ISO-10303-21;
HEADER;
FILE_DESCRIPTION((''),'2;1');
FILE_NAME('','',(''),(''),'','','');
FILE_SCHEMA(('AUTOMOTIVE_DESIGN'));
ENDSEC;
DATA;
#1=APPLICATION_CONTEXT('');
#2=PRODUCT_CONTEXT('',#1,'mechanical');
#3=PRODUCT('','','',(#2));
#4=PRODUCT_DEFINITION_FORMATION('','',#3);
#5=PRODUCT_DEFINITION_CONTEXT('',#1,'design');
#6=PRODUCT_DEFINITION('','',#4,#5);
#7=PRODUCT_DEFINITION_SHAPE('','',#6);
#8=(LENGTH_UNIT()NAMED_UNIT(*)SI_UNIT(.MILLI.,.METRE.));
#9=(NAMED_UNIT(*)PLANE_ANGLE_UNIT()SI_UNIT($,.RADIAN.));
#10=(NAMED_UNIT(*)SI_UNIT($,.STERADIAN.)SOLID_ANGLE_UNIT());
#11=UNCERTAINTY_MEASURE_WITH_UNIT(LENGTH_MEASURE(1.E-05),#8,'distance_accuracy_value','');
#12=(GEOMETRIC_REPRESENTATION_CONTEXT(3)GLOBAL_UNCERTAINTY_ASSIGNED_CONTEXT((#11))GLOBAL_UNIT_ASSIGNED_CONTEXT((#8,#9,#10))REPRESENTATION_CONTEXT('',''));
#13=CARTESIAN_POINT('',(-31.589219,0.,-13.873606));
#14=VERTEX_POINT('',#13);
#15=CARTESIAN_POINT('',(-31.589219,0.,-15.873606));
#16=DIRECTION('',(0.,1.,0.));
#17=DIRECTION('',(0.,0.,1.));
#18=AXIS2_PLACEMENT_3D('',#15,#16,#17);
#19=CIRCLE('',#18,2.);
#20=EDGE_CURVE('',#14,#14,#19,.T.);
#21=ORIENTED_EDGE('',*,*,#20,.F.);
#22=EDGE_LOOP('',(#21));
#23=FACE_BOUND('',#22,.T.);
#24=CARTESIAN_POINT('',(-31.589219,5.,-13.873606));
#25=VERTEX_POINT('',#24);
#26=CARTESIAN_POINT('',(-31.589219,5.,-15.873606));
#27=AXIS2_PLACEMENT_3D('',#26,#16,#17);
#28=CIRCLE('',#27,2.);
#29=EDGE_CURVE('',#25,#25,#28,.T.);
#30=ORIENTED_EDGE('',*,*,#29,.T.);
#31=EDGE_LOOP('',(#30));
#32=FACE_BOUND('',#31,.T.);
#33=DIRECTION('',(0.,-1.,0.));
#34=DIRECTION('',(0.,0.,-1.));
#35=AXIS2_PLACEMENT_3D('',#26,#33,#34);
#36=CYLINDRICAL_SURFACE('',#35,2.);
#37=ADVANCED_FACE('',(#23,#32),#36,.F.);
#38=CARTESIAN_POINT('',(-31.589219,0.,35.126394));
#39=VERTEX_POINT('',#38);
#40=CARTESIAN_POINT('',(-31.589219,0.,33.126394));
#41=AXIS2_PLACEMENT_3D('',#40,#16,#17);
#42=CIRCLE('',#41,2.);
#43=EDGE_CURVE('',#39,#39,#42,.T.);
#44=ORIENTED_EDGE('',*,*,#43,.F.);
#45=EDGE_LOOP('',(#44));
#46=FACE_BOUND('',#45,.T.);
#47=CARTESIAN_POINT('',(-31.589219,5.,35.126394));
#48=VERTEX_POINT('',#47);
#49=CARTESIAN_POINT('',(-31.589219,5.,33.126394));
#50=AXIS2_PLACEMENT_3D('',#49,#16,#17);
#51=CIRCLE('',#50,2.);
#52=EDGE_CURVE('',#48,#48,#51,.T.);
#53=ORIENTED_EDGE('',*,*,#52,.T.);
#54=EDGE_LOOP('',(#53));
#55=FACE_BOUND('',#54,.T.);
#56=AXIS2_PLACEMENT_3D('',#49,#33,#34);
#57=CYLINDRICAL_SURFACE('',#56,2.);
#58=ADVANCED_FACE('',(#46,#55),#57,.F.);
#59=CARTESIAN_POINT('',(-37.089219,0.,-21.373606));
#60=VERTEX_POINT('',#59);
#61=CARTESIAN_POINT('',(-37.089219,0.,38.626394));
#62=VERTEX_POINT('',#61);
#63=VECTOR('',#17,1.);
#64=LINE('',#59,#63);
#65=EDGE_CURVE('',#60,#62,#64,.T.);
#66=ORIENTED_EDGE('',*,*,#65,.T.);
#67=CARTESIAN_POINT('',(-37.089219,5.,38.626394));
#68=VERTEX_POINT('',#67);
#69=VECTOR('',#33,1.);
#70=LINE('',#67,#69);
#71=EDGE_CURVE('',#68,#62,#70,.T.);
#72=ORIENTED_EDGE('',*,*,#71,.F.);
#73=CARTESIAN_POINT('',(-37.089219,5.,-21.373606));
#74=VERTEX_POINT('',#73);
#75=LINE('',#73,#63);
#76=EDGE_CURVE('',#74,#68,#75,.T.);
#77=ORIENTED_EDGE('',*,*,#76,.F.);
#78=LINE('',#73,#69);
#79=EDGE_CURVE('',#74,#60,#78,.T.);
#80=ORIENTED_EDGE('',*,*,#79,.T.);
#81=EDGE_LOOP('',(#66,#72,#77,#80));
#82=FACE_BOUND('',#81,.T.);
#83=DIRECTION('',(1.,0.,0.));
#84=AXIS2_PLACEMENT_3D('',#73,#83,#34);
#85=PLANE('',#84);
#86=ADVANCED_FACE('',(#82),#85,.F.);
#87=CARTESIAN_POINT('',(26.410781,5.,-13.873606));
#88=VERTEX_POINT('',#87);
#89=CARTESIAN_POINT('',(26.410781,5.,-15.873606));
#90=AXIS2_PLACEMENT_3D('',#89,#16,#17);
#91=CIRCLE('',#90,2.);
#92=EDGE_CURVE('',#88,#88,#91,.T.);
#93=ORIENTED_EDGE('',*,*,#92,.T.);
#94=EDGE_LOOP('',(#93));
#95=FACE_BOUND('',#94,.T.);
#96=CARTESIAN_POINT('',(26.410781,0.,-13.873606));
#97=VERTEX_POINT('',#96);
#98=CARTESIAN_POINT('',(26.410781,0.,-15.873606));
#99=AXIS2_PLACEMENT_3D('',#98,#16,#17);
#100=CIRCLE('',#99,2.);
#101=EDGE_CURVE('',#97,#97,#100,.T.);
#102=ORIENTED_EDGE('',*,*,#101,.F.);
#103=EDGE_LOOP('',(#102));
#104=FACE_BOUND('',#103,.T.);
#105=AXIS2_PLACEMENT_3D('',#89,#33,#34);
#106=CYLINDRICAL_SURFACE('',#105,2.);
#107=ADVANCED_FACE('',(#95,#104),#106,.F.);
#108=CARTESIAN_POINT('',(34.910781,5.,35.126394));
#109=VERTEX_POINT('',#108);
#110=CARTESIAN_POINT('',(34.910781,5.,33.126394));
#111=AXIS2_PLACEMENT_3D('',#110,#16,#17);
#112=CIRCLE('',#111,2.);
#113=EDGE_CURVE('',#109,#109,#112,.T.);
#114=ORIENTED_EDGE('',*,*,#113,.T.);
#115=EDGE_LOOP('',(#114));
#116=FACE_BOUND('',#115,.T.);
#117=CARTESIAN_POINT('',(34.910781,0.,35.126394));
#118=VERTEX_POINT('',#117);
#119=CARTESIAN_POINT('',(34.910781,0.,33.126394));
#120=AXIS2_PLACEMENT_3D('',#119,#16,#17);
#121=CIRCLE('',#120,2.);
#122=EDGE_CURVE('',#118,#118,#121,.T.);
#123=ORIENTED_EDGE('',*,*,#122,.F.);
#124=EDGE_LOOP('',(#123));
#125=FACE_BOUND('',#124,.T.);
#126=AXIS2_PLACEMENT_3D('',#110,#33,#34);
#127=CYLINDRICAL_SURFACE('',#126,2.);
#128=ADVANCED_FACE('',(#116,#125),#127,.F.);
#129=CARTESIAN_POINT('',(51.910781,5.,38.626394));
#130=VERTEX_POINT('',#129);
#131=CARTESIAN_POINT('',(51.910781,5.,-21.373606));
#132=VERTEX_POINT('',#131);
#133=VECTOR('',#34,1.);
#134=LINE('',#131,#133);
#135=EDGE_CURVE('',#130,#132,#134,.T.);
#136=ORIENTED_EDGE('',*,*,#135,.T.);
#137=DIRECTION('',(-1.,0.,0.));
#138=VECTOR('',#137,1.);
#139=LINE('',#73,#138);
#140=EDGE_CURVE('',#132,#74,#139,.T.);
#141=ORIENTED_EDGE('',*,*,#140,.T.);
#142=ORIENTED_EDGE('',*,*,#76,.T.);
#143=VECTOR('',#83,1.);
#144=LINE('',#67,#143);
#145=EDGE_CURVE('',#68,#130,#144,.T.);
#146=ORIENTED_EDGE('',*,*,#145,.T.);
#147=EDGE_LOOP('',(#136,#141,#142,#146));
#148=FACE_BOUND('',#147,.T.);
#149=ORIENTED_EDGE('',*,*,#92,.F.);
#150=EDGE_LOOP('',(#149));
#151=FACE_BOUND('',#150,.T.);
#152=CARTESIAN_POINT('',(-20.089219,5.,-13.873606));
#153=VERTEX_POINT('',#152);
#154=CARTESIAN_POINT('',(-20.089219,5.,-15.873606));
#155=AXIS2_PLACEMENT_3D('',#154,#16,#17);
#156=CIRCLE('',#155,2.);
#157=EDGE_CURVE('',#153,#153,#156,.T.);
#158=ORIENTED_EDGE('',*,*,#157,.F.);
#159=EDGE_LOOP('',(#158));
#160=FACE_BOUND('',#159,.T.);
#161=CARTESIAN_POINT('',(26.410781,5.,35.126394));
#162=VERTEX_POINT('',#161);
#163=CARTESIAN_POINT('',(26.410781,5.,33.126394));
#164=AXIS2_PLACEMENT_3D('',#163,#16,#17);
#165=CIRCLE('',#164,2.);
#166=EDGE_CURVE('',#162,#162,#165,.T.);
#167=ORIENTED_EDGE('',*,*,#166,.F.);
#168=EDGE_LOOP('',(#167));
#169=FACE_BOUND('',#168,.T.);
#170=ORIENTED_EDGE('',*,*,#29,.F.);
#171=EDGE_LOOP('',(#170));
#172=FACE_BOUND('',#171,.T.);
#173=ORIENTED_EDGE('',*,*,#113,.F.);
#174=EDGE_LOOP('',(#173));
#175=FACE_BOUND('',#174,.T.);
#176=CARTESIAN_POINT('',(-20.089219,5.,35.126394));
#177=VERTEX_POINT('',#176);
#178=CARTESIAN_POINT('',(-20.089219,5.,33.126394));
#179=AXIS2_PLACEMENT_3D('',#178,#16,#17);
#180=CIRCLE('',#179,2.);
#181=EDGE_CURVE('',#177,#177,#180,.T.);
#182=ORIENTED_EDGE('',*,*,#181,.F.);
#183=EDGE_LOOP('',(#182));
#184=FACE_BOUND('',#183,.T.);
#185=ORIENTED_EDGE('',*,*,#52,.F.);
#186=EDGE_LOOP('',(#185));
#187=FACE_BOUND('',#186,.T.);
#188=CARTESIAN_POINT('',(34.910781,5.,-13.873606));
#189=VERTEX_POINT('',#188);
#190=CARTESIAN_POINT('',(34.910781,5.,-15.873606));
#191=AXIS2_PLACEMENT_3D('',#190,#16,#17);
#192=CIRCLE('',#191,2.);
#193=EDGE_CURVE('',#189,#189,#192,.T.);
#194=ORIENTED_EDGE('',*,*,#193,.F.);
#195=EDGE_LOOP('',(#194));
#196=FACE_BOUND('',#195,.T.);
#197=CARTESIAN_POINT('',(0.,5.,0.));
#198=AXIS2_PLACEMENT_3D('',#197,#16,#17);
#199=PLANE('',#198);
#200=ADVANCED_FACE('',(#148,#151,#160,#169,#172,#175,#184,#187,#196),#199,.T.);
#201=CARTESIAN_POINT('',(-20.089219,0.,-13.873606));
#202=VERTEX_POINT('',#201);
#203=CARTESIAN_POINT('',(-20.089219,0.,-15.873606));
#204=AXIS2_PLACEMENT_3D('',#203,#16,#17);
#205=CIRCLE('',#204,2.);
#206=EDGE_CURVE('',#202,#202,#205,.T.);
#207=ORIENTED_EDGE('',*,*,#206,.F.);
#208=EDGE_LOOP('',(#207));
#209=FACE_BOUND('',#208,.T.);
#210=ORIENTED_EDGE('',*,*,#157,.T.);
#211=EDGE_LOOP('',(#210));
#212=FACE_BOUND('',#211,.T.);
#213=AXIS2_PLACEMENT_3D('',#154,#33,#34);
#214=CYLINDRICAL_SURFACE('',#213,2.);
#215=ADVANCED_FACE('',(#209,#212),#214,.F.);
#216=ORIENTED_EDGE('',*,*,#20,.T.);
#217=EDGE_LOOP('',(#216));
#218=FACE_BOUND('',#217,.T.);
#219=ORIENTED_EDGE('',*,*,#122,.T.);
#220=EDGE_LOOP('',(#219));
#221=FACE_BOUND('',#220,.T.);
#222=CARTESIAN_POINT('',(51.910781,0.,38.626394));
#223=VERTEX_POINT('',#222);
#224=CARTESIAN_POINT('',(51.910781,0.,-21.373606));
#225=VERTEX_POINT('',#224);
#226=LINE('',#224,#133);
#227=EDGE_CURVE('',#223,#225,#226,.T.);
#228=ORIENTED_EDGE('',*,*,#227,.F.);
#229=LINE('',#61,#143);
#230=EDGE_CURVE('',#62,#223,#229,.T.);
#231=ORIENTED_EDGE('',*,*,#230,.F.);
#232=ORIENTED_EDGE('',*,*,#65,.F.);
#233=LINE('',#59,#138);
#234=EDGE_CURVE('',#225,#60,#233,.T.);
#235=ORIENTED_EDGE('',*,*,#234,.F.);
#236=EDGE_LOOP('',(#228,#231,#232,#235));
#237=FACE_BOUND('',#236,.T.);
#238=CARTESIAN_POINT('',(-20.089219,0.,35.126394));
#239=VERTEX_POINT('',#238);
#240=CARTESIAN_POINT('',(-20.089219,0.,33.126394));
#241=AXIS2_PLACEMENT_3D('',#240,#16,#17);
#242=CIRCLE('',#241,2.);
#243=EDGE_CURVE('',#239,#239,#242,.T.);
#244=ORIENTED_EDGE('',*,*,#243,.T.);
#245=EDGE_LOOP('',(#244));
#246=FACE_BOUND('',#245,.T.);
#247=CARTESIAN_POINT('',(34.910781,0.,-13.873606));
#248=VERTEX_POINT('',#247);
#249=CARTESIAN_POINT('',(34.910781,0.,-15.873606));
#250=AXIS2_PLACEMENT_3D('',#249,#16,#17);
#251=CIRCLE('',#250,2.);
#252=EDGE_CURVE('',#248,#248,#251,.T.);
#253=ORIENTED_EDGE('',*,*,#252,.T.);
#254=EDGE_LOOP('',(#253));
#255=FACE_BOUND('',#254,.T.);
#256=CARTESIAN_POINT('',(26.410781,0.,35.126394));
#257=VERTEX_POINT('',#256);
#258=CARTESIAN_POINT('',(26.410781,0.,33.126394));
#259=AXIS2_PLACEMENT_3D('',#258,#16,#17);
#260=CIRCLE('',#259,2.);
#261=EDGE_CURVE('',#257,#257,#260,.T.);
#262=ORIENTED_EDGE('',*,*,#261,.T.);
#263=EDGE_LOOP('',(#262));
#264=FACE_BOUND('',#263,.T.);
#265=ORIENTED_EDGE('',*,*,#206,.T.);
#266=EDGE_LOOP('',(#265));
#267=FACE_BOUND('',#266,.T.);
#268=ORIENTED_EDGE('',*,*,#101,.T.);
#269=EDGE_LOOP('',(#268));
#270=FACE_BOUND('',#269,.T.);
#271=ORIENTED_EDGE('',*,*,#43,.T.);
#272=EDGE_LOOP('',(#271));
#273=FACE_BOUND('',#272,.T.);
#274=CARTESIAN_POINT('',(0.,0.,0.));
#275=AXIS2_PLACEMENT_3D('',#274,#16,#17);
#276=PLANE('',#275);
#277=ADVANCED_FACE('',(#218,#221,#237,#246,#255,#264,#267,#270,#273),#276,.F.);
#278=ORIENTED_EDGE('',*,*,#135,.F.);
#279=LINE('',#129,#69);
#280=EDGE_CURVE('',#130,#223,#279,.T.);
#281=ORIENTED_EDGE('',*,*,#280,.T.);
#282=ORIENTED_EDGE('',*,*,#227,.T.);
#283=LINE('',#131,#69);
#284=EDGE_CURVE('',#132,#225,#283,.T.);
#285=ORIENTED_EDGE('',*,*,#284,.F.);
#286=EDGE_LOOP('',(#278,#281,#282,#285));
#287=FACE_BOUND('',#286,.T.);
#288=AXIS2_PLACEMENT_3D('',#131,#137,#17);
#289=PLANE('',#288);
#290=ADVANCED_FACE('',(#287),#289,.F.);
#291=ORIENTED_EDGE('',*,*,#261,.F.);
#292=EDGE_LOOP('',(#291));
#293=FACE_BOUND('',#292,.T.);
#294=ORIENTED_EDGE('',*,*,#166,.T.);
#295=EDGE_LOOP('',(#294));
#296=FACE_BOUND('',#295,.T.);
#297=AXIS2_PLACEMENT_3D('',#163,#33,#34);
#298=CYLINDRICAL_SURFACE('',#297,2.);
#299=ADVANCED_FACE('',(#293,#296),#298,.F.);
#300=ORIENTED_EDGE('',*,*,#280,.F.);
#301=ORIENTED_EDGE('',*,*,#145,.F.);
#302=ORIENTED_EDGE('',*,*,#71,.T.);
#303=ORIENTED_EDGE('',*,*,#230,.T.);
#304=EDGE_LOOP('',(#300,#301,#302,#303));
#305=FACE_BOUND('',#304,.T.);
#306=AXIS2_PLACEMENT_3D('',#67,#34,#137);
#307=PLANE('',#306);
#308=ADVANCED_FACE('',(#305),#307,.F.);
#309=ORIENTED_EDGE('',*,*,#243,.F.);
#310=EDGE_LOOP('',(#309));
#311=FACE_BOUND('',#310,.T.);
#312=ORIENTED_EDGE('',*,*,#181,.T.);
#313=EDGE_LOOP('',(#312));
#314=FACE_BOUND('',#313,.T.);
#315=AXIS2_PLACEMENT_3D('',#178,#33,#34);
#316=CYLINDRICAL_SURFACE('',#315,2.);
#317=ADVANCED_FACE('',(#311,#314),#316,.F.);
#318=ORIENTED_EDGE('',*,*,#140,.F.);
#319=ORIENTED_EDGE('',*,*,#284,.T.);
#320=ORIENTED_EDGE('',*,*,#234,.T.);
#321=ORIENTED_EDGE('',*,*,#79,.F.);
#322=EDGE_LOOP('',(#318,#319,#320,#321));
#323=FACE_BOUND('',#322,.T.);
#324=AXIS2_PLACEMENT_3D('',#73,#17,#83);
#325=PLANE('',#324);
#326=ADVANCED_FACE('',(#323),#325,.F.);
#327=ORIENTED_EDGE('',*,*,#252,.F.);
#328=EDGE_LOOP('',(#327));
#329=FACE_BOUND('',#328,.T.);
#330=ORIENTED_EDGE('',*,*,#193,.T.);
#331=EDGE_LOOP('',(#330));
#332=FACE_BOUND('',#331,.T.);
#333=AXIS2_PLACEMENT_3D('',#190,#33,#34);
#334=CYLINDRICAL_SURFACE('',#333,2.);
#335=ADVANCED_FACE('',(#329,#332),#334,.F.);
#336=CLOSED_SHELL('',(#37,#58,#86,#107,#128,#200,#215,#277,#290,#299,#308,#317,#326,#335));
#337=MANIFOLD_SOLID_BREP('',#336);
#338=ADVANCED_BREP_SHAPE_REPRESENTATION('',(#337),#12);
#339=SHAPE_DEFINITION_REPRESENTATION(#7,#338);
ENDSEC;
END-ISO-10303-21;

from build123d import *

# Parameters (mm, degrees)
SKETCH_1_W      = 89
SKETCH_1_H      = 60
SKETCH_1_R      = 2
EXTRUDE_1_DEPTH = 5


with BuildPart() as part:
    # 草图1 → 凸台-拉伸1 (new body)
    with BuildSketch(Plane(origin=(0, 0, 0), x_dir=(1, 0, 0), z_dir=(0, 1, 0))):
        with Locations((7.410780669, -8.626394052)):
            Rectangle(SKETCH_1_W, SKETCH_1_H)
        with Locations(Location((-31.589219331, 15.873605948, 0), (0, 0, 270))):
            Circle(SKETCH_1_R, mode=Mode.SUBTRACT)
        with Locations(Location((26.410780669, 15.873605948, 0), (0, 0, 270))):
            Circle(SKETCH_1_R, mode=Mode.SUBTRACT)
        with Locations(Location((-31.589219331, -33.126394052, 0), (0, 0, 270))):
            Circle(SKETCH_1_R, mode=Mode.SUBTRACT)
        with Locations(Location((26.410780669, -33.126394052, 0), (0, 0, 270))):
            Circle(SKETCH_1_R, mode=Mode.SUBTRACT)
        with Locations(Location((-20.089219331, 15.873605948, 0), (0, 0, 270))):
            Circle(SKETCH_1_R, mode=Mode.SUBTRACT)
        with Locations(Location((34.910780669, 15.873605948, 0), (0, 0, 270))):
            Circle(SKETCH_1_R, mode=Mode.SUBTRACT)
        with Locations(Location((-20.089219331, -33.126394052, 0), (0, 0, 270))):
            Circle(SKETCH_1_R, mode=Mode.SUBTRACT)
        with Locations(Location((34.910780669, -33.126394052, 0), (0, 0, 270))):
            Circle(SKETCH_1_R, mode=Mode.SUBTRACT)
    extrude(amount=EXTRUDE_1_DEPTH)


solid = part.part
